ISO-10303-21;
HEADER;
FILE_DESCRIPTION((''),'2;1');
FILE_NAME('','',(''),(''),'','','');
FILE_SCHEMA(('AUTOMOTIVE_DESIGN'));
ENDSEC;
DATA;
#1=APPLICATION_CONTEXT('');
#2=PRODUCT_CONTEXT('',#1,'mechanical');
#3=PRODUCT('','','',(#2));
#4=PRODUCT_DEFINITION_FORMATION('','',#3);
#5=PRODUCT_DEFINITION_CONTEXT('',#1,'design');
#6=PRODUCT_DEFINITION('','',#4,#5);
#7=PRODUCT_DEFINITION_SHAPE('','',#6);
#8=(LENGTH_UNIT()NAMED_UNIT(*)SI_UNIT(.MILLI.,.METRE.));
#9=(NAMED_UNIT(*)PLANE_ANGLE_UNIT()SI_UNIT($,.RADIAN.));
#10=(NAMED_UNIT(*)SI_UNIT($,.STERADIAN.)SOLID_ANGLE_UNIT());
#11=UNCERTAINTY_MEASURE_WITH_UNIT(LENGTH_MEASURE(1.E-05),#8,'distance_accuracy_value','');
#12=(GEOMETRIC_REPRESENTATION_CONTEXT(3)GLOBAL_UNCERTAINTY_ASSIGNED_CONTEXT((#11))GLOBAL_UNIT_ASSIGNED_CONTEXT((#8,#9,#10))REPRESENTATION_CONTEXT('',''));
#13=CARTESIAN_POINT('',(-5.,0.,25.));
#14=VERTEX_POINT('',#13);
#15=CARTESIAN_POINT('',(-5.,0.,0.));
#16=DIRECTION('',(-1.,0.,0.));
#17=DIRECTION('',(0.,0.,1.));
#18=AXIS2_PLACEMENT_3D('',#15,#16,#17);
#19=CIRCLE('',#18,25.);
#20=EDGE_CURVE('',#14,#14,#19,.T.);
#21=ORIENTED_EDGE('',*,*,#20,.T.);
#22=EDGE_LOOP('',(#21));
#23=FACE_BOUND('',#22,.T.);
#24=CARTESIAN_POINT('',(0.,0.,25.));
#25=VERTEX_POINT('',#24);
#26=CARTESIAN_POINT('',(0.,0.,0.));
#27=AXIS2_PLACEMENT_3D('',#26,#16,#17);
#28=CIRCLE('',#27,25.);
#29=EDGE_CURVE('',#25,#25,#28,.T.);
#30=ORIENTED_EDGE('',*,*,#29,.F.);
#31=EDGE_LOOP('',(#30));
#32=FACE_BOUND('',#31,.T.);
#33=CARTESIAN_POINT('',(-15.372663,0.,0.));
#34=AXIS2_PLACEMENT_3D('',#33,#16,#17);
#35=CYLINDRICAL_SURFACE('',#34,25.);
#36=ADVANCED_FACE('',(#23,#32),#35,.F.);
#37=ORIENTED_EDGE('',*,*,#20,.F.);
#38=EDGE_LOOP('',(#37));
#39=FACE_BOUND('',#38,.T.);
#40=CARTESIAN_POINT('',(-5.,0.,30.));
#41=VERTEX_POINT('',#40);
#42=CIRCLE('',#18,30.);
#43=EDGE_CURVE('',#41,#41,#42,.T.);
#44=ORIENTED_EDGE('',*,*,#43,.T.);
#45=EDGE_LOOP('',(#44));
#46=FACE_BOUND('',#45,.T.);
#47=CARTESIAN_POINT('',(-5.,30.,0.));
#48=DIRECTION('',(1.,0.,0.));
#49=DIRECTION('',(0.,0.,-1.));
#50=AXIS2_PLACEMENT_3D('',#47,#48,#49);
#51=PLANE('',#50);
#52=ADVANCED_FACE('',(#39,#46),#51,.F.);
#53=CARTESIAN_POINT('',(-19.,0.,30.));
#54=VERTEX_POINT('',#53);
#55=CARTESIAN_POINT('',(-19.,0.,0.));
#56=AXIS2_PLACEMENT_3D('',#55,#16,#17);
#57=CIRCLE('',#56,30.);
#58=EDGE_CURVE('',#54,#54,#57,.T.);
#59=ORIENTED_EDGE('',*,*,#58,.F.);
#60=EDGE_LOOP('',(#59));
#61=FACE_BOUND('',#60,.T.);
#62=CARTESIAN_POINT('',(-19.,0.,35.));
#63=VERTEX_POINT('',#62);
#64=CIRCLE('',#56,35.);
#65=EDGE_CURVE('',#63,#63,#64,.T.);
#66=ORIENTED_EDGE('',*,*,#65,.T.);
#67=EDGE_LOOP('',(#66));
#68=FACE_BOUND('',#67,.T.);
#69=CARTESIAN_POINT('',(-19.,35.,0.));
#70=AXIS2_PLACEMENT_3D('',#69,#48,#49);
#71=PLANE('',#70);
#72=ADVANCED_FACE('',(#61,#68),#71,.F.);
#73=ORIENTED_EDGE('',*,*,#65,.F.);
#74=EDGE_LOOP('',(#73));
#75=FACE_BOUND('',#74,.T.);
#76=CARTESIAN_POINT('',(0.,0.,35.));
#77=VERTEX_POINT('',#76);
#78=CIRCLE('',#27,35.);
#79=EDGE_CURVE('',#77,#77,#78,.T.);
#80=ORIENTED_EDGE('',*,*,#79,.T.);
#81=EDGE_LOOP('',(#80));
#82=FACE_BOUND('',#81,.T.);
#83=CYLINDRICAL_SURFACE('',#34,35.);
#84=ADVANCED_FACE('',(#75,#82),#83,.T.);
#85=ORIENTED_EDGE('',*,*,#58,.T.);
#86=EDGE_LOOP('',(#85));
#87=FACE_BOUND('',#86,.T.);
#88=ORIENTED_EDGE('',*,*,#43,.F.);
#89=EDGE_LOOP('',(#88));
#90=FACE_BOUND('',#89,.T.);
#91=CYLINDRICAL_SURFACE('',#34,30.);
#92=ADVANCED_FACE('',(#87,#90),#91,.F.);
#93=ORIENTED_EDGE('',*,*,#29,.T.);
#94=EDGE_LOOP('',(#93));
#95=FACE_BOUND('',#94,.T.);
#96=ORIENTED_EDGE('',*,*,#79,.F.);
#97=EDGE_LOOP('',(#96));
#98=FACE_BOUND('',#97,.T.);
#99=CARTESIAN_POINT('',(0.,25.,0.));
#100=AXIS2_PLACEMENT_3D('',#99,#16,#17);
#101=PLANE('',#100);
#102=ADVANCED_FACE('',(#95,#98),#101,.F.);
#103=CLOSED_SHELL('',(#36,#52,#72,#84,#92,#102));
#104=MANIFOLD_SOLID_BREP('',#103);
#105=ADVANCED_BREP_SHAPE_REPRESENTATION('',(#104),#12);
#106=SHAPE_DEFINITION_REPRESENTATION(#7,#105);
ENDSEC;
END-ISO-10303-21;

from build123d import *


with BuildPart() as part:
    # Sketch1 → Revolve1 (revolve)
    with BuildSketch(Plane.XY, mode=Mode.PRIVATE) as revolve1_sk:
        Polygon((-19, 35), (-19, 30), (-5, 30), (-5, 25), (0, 25), (0, 35), align=None)
    revolve(revolve1_sk.sketch.rotate(Axis((-15.372662967, 0, 0), (1, 0, 0)), 90), axis=Axis((-15.372662967, 0, 0), (1, 0, 0)))


solid = part.part
